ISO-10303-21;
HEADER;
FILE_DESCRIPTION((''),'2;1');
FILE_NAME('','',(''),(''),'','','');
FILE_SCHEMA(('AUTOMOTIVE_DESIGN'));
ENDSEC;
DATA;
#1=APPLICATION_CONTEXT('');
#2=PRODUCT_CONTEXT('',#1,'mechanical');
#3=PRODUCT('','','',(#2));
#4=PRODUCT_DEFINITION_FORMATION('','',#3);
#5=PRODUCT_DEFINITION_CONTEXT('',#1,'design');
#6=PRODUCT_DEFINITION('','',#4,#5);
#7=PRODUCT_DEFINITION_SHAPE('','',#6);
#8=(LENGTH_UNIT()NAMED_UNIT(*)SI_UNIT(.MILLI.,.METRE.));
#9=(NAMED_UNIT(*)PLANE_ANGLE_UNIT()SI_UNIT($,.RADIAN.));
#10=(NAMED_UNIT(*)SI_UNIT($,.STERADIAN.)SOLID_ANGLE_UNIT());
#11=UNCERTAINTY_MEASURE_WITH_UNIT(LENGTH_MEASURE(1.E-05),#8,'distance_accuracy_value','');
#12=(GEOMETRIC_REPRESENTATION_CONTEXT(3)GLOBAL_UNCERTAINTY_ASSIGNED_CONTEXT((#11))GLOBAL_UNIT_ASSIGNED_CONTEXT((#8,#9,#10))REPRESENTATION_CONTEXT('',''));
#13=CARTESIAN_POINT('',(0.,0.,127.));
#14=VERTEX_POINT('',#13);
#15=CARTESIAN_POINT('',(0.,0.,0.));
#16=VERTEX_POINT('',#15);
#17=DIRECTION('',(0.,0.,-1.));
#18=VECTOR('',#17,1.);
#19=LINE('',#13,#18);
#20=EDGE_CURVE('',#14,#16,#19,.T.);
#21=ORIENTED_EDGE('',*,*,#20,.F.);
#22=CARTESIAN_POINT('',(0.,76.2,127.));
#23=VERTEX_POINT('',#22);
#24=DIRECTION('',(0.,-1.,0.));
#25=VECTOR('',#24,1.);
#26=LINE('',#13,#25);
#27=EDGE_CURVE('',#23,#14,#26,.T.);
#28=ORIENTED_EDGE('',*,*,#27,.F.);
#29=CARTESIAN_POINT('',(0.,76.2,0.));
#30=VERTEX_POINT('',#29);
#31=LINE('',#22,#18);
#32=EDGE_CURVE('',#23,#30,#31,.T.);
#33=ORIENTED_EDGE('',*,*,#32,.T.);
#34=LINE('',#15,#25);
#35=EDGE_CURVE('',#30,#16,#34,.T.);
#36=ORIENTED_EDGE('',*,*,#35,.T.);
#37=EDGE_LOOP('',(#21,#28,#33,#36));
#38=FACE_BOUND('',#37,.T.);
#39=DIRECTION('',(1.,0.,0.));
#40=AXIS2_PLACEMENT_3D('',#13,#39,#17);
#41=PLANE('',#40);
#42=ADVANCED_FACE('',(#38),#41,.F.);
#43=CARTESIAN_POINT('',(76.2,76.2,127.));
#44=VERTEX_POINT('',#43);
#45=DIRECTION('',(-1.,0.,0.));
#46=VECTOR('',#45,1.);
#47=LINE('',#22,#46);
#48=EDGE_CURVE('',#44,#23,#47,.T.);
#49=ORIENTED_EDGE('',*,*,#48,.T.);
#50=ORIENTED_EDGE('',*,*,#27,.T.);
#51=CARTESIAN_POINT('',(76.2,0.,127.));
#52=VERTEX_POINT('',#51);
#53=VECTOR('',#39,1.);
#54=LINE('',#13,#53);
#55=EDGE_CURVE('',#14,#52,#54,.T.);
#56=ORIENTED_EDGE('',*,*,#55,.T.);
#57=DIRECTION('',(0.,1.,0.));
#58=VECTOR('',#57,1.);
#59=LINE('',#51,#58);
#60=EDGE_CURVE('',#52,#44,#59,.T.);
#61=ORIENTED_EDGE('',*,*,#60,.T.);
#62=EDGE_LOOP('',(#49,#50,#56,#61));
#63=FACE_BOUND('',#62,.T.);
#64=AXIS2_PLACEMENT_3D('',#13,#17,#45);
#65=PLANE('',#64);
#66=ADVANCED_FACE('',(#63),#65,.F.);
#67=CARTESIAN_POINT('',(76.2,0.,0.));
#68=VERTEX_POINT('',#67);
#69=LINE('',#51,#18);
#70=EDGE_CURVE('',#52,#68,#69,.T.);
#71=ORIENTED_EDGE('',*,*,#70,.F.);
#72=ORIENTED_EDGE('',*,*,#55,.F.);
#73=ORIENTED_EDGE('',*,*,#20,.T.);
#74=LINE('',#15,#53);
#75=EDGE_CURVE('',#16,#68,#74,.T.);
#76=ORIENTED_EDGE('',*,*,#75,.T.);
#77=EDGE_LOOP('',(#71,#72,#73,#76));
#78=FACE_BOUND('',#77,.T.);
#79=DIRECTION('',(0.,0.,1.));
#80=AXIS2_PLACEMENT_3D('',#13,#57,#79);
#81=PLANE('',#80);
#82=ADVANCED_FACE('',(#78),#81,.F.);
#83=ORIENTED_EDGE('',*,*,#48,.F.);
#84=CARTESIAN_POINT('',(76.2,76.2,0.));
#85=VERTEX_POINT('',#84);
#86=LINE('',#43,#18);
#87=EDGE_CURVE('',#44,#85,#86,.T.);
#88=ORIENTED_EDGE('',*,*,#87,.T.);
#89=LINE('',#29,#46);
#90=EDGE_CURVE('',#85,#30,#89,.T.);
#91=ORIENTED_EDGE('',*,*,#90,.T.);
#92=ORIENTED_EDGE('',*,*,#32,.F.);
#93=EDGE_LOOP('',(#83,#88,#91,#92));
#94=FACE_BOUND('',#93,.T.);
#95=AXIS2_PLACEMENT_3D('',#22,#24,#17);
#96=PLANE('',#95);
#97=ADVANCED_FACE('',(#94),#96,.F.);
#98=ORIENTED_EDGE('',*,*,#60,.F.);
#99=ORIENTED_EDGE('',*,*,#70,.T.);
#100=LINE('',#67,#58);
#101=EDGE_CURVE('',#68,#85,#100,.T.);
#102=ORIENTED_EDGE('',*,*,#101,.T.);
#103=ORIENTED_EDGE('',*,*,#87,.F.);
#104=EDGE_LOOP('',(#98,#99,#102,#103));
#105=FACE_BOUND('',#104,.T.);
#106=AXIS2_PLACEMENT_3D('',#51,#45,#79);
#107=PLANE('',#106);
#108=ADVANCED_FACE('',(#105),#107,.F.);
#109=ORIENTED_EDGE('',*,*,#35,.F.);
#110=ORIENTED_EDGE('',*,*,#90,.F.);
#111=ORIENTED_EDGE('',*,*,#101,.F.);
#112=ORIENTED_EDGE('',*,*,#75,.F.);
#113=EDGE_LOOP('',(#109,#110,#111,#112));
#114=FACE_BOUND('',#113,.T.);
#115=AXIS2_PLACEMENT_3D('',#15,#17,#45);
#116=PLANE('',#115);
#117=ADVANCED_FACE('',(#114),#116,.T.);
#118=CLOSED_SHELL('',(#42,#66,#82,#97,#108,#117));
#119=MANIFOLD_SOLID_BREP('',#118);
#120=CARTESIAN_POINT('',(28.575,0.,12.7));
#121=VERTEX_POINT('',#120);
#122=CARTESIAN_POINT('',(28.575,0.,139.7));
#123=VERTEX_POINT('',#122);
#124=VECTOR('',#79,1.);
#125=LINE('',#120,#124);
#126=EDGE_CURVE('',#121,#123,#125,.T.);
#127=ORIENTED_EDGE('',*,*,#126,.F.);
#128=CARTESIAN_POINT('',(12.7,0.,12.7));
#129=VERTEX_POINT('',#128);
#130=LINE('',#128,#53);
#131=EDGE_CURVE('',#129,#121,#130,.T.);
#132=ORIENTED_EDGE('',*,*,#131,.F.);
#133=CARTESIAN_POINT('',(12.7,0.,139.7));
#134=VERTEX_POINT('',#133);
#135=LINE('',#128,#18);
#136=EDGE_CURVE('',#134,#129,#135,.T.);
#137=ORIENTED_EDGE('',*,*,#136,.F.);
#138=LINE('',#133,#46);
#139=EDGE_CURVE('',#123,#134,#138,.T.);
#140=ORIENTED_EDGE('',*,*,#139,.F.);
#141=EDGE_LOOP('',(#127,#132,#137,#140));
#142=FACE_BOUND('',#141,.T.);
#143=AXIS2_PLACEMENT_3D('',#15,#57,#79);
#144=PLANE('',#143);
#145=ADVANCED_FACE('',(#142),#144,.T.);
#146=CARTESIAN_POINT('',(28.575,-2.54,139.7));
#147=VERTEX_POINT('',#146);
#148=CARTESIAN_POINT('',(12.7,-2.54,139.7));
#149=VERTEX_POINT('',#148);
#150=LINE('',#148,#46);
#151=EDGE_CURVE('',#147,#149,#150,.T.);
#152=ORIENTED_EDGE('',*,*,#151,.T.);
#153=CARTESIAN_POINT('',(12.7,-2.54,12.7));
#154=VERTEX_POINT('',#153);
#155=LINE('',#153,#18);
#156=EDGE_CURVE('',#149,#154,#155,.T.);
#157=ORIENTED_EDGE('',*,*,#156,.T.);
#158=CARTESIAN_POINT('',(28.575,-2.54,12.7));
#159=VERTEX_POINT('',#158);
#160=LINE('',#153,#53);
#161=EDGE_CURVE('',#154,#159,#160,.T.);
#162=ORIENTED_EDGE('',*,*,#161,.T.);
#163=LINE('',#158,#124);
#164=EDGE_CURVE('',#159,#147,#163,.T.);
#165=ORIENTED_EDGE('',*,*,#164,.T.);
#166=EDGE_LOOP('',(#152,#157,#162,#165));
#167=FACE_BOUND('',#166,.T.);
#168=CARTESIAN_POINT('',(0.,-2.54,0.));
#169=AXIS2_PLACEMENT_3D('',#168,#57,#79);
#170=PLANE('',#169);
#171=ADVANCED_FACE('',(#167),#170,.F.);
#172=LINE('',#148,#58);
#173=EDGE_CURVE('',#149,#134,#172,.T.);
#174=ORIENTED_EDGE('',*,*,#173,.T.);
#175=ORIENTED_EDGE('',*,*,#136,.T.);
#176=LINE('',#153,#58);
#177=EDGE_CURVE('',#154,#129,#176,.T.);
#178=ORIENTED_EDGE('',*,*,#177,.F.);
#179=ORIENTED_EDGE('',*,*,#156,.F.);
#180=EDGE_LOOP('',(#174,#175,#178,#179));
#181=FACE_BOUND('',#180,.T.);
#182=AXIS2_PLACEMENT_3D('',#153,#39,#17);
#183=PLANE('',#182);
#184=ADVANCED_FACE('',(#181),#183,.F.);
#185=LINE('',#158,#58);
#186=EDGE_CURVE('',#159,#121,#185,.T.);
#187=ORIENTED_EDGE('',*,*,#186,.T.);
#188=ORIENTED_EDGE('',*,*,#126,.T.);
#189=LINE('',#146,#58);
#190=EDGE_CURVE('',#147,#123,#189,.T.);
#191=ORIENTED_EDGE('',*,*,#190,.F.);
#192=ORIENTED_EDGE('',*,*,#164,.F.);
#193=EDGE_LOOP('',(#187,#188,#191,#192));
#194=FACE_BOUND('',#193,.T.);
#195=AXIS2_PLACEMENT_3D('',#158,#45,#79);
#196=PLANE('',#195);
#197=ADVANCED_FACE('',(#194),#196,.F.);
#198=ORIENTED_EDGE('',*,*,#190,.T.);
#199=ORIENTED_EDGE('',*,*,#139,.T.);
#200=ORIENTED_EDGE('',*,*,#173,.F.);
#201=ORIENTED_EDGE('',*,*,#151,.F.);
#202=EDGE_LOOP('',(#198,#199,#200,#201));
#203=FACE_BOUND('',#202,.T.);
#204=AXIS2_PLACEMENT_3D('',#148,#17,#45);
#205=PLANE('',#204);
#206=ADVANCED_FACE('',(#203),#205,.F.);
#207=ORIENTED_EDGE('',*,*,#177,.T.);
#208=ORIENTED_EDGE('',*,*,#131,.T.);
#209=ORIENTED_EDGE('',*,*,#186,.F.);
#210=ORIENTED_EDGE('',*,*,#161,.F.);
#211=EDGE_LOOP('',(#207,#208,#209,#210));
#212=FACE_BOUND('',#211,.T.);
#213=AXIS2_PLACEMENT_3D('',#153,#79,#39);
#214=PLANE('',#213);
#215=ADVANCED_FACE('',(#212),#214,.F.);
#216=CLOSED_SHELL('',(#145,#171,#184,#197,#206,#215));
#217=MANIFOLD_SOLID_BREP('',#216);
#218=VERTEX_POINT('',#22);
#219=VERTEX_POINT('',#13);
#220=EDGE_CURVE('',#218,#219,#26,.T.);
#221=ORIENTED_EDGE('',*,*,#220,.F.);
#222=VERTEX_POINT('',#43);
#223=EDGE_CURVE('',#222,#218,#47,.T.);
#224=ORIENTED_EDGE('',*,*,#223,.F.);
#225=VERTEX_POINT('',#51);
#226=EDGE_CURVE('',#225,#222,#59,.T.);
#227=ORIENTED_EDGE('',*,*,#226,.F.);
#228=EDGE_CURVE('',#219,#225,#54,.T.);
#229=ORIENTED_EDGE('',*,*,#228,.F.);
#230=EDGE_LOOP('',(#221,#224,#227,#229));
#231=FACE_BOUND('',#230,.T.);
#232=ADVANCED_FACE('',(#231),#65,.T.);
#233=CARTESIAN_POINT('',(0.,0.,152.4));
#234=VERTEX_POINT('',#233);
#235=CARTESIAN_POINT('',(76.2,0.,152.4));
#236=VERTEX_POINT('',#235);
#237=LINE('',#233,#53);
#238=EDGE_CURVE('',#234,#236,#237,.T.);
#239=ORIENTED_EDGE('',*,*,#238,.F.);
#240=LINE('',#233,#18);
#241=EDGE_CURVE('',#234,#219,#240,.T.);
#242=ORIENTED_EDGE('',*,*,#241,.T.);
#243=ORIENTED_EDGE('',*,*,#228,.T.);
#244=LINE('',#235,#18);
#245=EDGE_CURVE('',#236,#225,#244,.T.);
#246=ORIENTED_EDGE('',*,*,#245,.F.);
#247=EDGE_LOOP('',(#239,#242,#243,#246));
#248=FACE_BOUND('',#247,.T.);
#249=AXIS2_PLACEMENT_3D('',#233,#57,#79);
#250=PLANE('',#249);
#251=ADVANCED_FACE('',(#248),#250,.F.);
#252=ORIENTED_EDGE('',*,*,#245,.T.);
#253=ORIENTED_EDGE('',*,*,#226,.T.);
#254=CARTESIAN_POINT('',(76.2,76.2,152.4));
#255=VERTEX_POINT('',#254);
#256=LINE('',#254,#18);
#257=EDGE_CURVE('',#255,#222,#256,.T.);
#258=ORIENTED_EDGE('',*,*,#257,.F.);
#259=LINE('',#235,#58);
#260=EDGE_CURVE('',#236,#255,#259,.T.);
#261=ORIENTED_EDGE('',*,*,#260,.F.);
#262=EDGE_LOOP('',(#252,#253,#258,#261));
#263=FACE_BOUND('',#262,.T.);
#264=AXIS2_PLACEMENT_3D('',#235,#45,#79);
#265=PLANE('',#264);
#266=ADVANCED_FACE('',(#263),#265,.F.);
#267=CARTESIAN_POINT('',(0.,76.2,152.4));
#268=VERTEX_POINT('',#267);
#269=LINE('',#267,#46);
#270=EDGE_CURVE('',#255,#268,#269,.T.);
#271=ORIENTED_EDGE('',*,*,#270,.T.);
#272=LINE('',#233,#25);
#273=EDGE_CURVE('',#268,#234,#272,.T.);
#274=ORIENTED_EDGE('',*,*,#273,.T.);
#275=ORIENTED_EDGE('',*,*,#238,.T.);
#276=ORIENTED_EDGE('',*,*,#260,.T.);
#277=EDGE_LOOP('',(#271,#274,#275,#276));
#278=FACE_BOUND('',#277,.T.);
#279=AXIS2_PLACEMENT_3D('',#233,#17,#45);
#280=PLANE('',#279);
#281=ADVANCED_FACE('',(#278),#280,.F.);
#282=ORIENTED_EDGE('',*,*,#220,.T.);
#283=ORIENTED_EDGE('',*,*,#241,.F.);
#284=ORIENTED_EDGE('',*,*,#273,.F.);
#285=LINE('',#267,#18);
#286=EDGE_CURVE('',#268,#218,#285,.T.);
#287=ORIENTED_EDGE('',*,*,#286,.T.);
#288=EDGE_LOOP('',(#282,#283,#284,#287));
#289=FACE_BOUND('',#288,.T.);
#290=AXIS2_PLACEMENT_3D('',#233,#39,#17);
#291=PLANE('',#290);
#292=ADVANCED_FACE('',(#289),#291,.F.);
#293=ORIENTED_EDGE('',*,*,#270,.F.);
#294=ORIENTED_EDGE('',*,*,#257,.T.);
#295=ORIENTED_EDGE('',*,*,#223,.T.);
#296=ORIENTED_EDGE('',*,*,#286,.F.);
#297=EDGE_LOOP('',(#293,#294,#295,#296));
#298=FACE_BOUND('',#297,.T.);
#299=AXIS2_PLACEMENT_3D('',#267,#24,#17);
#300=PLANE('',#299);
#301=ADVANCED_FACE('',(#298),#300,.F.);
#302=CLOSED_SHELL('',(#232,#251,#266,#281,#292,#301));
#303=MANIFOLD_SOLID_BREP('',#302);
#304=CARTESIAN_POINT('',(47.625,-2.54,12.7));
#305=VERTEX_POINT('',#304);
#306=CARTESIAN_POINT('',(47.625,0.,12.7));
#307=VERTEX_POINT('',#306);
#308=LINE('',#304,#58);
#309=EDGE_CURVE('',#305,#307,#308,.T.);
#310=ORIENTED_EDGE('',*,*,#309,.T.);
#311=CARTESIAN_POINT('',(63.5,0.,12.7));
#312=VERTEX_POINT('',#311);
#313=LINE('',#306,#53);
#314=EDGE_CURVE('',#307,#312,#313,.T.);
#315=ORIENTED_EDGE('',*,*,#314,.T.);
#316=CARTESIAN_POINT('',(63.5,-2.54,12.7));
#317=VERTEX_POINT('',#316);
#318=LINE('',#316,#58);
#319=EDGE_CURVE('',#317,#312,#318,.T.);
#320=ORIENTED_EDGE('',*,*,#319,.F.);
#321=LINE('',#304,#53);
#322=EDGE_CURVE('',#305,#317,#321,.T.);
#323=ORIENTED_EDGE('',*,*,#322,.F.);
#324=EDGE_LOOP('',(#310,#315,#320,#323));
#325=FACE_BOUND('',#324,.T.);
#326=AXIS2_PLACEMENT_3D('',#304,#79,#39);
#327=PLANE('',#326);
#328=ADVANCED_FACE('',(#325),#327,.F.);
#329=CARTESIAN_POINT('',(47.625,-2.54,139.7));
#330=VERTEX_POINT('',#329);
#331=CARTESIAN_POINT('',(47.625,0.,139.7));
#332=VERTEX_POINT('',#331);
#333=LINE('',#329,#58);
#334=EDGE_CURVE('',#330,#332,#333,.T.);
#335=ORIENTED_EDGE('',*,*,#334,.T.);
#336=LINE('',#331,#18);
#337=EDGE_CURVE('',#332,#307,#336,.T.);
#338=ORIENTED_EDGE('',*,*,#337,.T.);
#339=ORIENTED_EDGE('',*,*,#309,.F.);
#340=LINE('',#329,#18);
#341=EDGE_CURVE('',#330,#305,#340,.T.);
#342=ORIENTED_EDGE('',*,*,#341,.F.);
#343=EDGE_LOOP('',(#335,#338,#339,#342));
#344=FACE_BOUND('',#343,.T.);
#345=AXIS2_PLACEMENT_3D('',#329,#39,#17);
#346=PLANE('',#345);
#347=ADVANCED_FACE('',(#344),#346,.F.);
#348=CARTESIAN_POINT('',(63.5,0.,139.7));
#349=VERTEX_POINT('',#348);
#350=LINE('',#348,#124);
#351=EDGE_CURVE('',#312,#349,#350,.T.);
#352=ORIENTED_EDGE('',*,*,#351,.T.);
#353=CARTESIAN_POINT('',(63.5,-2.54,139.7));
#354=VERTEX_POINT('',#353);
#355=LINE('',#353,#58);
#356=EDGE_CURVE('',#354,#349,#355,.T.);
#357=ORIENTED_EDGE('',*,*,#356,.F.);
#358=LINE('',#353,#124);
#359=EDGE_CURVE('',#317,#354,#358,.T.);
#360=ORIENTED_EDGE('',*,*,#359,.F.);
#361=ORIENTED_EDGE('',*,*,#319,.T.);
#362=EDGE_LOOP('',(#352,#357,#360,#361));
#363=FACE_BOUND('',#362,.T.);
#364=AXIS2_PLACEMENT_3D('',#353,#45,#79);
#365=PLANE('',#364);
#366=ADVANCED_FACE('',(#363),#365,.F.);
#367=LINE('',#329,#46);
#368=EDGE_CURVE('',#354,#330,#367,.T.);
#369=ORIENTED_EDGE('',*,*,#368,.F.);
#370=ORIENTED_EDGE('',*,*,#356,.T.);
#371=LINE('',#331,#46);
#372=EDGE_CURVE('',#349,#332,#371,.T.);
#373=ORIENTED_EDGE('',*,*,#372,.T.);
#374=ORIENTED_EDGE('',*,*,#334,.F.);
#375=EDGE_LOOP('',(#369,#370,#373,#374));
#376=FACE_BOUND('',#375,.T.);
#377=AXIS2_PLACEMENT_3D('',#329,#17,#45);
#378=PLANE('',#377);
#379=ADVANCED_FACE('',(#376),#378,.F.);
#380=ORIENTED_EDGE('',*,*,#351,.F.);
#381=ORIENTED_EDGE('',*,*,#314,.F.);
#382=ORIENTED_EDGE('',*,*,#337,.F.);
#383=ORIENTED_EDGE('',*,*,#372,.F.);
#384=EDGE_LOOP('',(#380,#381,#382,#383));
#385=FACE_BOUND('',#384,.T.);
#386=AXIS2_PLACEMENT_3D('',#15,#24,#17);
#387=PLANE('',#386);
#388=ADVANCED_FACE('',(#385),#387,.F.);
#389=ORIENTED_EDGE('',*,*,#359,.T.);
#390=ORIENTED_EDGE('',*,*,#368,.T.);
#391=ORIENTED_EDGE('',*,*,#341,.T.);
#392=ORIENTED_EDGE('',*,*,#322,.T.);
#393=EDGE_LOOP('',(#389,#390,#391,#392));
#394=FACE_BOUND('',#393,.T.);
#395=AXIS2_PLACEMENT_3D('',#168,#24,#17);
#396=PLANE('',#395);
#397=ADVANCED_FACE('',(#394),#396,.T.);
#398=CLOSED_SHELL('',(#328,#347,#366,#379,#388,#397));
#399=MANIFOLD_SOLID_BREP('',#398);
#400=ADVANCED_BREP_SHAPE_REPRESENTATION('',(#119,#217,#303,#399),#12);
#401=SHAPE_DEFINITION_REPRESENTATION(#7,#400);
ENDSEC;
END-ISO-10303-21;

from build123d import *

# Parameters (mm, degrees)
SKETCH1_W             = 76.2
SKETCH1_H             = 76.2
BOSS_EXTRUDE1_DEPTH   = 127
SKETCH4_W             = 76.2
SKETCH4_H             = 76.2
BOSS_EXTRUDE4_DEPTH   = 25.4
SKETCH2_W             = 15.875
SKETCH2_H             = 127
BOSS_EXTRUDE3_DEPTH   = 2.54
BOSS_EXTRUDE3_2_DEPTH = 2.54


with BuildPart() as part:
    # Sketch1 → Boss-Extrude1 (new body)
    with BuildSketch(Plane.XY):
        with Locations((38.1, 38.1)):
            Rectangle(SKETCH1_W, SKETCH1_H)
    extrude(amount=BOSS_EXTRUDE1_DEPTH)


with BuildPart() as body_2:
    # Sketch4 → Boss-Extrude4 (new body)
    with BuildSketch(Plane.XY.offset(127)):
        with Locations((38.1, 38.1)):
            Rectangle(SKETCH4_W, SKETCH4_H)
    extrude(amount=BOSS_EXTRUDE4_DEPTH)


with BuildPart() as body_3:
    # Sketch2 → Boss-Extrude3 (new body)
    with BuildSketch(Plane.XZ):
        with Locations((20.6375, 76.2)):
            Rectangle(SKETCH2_W, SKETCH2_H)
    extrude(amount=BOSS_EXTRUDE3_DEPTH)


with BuildPart() as body_4:
    # Sketch2 → Boss-Extrude3 2 (new body)
    with BuildSketch(Plane.XZ):
        with Locations((55.5625, 76.2)):
            Rectangle(SKETCH2_W, SKETCH2_H)
    extrude(amount=BOSS_EXTRUDE3_2_DEPTH)


solid = Compound([part.part, body_2.part, body_3.part, body_4.part])
